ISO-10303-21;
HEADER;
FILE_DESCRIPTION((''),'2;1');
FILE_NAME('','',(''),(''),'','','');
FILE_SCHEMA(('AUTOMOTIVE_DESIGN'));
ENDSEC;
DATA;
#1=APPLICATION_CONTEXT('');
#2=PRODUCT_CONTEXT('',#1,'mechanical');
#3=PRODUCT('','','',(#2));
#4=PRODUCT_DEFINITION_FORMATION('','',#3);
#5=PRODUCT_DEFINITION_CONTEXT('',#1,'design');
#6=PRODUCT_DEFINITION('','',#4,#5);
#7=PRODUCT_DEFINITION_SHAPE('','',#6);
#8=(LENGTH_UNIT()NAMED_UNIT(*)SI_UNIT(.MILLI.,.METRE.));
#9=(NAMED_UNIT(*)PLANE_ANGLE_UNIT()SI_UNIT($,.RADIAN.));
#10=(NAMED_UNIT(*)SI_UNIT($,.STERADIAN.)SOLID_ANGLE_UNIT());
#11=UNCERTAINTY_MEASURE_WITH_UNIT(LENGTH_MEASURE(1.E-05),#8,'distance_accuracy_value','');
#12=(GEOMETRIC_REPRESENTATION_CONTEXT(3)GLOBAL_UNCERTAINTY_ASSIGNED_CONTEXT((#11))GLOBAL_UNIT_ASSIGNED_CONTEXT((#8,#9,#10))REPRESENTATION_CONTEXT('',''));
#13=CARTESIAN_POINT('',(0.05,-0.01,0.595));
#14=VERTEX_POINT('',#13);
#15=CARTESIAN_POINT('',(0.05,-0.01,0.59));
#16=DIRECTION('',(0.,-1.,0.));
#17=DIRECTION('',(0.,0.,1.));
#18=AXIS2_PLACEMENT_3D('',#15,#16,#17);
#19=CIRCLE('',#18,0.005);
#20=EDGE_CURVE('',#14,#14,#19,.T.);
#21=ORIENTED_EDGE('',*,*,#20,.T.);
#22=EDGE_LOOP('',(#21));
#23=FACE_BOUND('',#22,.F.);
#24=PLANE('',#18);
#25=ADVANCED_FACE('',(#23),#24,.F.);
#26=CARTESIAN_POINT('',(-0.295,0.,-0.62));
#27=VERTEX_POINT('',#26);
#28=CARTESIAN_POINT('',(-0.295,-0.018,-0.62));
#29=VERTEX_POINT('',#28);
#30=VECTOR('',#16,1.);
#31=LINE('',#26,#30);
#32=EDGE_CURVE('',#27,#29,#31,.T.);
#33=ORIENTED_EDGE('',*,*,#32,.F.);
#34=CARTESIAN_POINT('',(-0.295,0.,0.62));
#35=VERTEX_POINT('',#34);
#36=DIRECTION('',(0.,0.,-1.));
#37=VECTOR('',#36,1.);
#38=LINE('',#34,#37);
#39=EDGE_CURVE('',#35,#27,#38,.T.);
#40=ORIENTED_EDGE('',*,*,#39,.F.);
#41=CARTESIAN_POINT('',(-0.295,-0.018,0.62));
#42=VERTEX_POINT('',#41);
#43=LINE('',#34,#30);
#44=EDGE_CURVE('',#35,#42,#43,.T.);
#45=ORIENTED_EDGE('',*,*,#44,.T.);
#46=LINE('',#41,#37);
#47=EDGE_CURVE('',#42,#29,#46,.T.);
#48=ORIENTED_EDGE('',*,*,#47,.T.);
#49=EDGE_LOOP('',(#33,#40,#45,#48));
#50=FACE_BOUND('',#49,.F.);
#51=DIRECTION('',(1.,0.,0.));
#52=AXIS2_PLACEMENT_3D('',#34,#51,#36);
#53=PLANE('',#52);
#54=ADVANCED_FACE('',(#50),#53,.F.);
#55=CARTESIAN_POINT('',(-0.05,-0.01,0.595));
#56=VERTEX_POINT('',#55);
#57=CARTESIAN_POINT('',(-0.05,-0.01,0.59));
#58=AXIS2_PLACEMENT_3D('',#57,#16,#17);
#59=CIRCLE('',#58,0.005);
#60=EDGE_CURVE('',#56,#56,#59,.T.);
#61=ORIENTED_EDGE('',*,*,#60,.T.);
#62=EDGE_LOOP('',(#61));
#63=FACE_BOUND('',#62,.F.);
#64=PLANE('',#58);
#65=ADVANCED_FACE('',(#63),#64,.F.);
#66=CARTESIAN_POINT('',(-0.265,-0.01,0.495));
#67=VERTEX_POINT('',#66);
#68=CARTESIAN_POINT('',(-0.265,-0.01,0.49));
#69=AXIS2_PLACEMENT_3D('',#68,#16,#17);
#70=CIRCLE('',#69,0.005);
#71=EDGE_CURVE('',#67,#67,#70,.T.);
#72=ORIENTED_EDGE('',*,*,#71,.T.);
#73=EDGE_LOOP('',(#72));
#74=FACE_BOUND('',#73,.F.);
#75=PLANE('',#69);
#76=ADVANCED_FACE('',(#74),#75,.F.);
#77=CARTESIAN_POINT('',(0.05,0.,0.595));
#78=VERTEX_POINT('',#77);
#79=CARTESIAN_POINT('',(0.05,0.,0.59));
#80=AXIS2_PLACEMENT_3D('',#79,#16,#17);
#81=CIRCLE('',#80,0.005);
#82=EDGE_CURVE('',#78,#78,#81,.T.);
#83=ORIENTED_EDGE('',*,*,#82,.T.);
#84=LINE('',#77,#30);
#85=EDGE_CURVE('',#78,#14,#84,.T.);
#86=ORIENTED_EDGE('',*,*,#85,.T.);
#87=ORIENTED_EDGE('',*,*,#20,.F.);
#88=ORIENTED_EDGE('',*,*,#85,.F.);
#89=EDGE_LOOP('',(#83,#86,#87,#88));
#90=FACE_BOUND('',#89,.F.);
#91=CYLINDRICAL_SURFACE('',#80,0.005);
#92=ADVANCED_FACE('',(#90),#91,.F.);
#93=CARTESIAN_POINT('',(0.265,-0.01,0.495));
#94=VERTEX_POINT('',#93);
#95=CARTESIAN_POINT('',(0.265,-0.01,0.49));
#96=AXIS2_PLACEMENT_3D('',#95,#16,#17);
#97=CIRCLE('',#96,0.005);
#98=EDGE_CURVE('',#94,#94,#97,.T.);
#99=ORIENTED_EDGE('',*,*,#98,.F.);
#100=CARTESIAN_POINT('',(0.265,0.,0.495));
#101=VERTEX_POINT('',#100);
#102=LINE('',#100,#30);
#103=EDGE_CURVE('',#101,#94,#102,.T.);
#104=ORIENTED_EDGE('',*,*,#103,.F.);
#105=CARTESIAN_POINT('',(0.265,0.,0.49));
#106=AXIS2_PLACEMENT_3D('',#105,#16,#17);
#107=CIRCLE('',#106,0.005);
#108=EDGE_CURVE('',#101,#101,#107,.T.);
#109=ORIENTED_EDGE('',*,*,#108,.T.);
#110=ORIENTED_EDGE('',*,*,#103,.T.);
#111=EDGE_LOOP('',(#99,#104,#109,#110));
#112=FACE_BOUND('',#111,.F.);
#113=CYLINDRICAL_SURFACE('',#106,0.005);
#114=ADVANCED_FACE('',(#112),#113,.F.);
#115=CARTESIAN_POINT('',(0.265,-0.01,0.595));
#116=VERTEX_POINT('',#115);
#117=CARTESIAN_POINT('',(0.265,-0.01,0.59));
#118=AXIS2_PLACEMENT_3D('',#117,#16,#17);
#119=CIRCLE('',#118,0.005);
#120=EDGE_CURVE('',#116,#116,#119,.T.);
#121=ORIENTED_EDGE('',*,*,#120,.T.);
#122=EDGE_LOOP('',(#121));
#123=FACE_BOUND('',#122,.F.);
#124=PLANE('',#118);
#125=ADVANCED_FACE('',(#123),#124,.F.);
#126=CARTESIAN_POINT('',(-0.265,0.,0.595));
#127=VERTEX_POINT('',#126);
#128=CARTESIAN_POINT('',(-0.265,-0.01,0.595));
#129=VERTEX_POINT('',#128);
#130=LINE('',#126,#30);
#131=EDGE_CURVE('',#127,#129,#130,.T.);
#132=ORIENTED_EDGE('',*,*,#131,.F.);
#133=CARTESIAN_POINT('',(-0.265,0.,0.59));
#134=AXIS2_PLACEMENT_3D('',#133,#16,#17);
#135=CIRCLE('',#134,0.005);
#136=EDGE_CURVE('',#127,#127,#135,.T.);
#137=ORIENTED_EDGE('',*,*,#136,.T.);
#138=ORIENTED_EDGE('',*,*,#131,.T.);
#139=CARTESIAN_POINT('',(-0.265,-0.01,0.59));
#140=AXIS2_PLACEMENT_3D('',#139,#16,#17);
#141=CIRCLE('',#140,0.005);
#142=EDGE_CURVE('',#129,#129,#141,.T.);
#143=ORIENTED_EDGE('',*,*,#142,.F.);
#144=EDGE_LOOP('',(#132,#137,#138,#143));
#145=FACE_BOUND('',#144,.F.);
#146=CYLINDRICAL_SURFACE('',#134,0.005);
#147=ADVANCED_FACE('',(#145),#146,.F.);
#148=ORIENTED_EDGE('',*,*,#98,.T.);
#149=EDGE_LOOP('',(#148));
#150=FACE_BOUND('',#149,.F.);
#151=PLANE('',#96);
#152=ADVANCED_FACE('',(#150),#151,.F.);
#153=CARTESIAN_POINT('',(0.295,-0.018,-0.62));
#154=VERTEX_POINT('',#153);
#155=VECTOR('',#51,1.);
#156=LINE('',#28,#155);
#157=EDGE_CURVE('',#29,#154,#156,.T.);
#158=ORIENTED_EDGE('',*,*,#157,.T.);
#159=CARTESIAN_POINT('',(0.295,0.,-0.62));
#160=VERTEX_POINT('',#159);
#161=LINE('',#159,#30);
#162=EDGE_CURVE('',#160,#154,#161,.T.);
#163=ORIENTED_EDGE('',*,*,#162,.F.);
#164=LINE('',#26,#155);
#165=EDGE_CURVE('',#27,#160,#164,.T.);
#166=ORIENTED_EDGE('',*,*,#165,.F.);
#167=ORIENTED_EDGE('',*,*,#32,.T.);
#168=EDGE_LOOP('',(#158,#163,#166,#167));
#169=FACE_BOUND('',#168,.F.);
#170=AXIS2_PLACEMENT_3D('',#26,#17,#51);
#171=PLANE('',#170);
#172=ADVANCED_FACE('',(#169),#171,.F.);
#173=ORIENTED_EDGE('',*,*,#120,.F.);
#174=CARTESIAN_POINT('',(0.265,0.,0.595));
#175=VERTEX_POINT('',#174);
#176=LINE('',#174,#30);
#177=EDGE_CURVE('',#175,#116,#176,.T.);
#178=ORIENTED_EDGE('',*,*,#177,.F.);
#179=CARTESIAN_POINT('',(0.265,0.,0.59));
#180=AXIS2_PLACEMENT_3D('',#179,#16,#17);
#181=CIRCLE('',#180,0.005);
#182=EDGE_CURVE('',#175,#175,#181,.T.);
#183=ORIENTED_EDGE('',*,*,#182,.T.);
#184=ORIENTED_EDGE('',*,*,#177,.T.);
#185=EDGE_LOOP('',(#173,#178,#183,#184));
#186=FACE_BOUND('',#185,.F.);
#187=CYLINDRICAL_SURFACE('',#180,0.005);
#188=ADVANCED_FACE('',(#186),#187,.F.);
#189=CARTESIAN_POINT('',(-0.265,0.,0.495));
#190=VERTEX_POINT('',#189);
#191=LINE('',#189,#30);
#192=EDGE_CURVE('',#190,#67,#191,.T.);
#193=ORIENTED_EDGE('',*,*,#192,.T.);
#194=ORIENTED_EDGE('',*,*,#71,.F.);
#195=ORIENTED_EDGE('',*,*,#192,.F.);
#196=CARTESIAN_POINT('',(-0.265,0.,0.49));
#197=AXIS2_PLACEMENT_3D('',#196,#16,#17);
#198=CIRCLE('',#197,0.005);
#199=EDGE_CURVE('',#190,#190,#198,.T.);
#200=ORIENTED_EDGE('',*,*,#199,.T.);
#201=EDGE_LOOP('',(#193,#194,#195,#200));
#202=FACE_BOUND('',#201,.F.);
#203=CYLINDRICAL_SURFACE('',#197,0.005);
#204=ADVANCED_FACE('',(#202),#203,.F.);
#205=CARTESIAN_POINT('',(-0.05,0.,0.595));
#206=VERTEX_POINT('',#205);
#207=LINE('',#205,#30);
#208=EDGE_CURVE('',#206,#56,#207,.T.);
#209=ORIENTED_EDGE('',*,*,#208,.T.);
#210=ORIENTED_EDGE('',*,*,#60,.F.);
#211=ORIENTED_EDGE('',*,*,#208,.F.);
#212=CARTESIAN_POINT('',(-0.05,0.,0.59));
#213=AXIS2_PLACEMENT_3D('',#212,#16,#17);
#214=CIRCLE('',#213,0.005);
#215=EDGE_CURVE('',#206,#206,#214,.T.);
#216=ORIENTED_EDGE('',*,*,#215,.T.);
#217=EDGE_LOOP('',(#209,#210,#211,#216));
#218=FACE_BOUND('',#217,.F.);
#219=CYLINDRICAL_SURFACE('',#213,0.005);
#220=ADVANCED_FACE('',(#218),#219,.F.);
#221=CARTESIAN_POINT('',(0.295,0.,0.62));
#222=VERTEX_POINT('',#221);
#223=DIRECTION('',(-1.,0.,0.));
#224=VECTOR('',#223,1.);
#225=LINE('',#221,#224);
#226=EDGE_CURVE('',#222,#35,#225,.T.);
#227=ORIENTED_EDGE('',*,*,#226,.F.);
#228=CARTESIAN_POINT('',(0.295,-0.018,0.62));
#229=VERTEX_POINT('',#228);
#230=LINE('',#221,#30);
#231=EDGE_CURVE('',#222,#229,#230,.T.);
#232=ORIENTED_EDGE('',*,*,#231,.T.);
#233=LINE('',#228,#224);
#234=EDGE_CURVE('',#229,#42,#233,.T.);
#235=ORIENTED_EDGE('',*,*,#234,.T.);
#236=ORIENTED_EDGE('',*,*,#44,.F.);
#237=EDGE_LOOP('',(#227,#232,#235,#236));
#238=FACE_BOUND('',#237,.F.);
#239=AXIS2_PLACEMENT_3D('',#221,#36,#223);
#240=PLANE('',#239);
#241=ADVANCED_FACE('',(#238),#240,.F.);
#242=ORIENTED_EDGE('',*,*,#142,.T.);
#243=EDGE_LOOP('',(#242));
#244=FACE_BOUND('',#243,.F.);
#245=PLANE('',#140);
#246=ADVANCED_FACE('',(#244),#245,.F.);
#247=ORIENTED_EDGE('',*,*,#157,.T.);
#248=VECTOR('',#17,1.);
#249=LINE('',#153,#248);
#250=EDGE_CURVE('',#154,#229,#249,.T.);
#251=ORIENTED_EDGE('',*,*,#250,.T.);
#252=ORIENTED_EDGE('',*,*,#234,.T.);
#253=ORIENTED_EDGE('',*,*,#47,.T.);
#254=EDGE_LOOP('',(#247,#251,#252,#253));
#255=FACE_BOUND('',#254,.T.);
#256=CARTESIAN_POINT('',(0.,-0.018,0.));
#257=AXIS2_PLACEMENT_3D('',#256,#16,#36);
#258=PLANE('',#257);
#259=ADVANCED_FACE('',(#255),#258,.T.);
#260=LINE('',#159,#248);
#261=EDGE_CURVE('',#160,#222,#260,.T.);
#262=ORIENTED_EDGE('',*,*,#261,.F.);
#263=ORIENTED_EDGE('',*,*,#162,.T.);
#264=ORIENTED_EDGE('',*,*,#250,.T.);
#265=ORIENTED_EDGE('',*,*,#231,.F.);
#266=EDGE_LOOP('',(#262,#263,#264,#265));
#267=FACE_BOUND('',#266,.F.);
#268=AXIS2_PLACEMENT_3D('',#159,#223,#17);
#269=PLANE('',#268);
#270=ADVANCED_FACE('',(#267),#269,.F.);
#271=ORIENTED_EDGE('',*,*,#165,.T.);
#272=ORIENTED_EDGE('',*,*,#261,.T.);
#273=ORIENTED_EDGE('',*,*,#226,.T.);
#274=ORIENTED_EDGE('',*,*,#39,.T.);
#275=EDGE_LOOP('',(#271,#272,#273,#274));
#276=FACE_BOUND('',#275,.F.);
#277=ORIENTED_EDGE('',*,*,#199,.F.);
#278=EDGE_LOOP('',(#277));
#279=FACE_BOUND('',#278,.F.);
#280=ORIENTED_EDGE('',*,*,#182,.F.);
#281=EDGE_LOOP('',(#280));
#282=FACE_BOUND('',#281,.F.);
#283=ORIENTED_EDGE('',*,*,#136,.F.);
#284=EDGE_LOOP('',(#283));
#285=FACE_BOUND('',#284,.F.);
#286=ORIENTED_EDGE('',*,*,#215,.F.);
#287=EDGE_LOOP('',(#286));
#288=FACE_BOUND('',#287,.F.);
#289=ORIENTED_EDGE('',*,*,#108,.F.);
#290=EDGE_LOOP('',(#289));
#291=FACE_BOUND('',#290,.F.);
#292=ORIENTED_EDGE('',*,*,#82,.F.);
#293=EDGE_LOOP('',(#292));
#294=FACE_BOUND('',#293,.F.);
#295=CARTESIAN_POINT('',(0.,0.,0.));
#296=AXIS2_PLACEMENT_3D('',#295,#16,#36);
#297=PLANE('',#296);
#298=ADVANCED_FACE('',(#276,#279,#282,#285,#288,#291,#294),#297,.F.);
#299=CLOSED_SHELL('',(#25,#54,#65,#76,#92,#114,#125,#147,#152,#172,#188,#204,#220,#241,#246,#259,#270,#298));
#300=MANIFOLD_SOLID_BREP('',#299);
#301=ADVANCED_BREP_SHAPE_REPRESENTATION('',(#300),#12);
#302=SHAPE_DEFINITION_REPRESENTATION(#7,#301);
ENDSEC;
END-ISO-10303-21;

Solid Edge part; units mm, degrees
sketch "Sketch1" plane through (0, 0, 0) normal (0, -1, 0) x (1, 0, 0)
  line L0 (-0.295, -0.62) -> (0.295, -0.62)
  line L1 (0.295, -0.62) -> (0.295, 0.62)
  line L2 (0.295, 0.62) -> (-0.295, 0.62)
  line L3 (-0.295, 0.62) -> (-0.295, -0.62)
  dimension "D1" = 1.24
  dimension "D2" = 0.59
extrude "Protrusion1" add sketch "Sketch1" along normal blind 0.018
hole "Bohrung_1" at (-0.05, 0, 0.59) direction (0, -1, 0) diameter 0.01 depth 0.01
hole "Hole1" at (0.05, 0, 0.59) direction (0, -1, 0) diameter 0.01 depth 0.01
hole "Hole2" at (0.265, 0, 0.59) direction (0, -1, 0) diameter 0.01 depth 0.01
hole "Hole3" at (0.265, 0, 0.49) direction (0, -1, 0) diameter 0.01 depth 0.01
hole "Hole4" at (-0.265, 0, 0.49) direction (0, -1, 0) diameter 0.01 depth 0.01
hole "Hole5" at (-0.265, 0, 0.59) direction (0, -1, 0) diameter 0.01 depth 0.01
